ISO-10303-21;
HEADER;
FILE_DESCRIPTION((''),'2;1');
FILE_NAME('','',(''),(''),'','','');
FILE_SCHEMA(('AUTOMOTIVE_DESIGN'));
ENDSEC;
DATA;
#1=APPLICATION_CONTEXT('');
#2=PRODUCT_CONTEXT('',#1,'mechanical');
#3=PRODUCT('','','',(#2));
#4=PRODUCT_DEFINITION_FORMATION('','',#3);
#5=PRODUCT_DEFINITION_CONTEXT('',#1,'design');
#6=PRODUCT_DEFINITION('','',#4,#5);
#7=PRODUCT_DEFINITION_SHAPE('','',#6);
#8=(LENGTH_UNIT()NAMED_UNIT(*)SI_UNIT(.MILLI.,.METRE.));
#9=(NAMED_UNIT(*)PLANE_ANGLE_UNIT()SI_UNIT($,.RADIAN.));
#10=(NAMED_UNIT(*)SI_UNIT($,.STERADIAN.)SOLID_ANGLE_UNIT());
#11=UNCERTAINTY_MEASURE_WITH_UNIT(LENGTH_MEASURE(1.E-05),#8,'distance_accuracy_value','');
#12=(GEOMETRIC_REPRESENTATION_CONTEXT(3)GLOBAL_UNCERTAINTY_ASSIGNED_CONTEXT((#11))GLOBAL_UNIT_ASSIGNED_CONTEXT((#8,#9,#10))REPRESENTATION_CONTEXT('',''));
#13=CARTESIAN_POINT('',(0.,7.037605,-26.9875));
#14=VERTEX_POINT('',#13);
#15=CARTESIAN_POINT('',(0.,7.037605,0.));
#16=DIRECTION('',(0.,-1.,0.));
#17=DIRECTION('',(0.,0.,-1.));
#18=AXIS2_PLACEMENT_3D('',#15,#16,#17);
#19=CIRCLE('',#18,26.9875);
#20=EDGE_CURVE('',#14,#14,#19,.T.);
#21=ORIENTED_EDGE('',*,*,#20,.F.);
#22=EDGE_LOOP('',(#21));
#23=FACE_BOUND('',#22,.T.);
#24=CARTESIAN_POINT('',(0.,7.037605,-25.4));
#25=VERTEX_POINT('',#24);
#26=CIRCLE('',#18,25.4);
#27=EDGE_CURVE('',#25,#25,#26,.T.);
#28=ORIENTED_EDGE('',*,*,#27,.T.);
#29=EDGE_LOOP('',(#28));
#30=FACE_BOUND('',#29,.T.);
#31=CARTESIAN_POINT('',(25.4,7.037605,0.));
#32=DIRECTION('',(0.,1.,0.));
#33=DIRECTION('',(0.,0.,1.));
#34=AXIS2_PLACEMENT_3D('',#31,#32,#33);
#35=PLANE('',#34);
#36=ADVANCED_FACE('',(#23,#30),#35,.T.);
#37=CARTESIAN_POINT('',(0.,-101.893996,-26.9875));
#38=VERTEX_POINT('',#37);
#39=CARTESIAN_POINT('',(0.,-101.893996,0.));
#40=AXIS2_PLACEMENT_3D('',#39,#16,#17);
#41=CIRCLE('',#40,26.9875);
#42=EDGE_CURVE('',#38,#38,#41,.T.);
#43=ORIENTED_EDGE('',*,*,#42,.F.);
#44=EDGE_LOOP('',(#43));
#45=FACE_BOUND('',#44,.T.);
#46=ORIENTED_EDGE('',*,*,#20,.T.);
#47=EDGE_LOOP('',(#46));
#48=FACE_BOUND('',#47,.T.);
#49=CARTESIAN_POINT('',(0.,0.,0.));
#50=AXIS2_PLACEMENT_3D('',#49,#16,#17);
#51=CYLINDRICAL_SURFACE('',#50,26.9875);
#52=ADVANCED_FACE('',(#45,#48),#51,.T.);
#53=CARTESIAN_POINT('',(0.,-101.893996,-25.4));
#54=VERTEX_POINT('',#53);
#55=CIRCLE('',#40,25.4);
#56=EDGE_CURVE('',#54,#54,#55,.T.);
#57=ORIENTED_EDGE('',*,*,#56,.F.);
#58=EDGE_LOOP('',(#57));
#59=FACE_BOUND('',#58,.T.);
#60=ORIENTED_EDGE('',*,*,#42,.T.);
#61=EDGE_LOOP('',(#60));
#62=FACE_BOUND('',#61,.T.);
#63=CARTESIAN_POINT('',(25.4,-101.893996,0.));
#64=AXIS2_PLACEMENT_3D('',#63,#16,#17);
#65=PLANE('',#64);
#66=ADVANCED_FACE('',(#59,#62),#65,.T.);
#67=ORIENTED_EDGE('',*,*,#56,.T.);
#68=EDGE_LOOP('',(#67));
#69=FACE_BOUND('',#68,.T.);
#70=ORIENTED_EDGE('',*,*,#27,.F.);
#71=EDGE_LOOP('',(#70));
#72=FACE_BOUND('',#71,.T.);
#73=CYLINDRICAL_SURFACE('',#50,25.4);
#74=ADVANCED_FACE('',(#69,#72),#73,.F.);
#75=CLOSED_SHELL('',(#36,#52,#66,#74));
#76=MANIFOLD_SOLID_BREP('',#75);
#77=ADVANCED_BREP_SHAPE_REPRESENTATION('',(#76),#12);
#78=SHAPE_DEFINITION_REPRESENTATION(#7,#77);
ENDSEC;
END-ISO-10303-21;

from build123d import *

# Parameters (mm, degrees)
SKETCH1_W = 1.5875
SKETCH1_H = 108.931601554


with BuildPart() as part:
    # Sketch1 → Revolve1 (revolve)
    with BuildSketch(Plane.XY, mode=Mode.PRIVATE) as revolve1_sk:
        with Locations((26.19375, -47.428195303)):
            Rectangle(SKETCH1_W, SKETCH1_H)
    revolve(revolve1_sk.sketch.rotate(Axis((0, 0, 0), (0, 1, 0)), 90), axis=Axis((0, 0, 0), (0, 1, 0)))


solid = part.part
